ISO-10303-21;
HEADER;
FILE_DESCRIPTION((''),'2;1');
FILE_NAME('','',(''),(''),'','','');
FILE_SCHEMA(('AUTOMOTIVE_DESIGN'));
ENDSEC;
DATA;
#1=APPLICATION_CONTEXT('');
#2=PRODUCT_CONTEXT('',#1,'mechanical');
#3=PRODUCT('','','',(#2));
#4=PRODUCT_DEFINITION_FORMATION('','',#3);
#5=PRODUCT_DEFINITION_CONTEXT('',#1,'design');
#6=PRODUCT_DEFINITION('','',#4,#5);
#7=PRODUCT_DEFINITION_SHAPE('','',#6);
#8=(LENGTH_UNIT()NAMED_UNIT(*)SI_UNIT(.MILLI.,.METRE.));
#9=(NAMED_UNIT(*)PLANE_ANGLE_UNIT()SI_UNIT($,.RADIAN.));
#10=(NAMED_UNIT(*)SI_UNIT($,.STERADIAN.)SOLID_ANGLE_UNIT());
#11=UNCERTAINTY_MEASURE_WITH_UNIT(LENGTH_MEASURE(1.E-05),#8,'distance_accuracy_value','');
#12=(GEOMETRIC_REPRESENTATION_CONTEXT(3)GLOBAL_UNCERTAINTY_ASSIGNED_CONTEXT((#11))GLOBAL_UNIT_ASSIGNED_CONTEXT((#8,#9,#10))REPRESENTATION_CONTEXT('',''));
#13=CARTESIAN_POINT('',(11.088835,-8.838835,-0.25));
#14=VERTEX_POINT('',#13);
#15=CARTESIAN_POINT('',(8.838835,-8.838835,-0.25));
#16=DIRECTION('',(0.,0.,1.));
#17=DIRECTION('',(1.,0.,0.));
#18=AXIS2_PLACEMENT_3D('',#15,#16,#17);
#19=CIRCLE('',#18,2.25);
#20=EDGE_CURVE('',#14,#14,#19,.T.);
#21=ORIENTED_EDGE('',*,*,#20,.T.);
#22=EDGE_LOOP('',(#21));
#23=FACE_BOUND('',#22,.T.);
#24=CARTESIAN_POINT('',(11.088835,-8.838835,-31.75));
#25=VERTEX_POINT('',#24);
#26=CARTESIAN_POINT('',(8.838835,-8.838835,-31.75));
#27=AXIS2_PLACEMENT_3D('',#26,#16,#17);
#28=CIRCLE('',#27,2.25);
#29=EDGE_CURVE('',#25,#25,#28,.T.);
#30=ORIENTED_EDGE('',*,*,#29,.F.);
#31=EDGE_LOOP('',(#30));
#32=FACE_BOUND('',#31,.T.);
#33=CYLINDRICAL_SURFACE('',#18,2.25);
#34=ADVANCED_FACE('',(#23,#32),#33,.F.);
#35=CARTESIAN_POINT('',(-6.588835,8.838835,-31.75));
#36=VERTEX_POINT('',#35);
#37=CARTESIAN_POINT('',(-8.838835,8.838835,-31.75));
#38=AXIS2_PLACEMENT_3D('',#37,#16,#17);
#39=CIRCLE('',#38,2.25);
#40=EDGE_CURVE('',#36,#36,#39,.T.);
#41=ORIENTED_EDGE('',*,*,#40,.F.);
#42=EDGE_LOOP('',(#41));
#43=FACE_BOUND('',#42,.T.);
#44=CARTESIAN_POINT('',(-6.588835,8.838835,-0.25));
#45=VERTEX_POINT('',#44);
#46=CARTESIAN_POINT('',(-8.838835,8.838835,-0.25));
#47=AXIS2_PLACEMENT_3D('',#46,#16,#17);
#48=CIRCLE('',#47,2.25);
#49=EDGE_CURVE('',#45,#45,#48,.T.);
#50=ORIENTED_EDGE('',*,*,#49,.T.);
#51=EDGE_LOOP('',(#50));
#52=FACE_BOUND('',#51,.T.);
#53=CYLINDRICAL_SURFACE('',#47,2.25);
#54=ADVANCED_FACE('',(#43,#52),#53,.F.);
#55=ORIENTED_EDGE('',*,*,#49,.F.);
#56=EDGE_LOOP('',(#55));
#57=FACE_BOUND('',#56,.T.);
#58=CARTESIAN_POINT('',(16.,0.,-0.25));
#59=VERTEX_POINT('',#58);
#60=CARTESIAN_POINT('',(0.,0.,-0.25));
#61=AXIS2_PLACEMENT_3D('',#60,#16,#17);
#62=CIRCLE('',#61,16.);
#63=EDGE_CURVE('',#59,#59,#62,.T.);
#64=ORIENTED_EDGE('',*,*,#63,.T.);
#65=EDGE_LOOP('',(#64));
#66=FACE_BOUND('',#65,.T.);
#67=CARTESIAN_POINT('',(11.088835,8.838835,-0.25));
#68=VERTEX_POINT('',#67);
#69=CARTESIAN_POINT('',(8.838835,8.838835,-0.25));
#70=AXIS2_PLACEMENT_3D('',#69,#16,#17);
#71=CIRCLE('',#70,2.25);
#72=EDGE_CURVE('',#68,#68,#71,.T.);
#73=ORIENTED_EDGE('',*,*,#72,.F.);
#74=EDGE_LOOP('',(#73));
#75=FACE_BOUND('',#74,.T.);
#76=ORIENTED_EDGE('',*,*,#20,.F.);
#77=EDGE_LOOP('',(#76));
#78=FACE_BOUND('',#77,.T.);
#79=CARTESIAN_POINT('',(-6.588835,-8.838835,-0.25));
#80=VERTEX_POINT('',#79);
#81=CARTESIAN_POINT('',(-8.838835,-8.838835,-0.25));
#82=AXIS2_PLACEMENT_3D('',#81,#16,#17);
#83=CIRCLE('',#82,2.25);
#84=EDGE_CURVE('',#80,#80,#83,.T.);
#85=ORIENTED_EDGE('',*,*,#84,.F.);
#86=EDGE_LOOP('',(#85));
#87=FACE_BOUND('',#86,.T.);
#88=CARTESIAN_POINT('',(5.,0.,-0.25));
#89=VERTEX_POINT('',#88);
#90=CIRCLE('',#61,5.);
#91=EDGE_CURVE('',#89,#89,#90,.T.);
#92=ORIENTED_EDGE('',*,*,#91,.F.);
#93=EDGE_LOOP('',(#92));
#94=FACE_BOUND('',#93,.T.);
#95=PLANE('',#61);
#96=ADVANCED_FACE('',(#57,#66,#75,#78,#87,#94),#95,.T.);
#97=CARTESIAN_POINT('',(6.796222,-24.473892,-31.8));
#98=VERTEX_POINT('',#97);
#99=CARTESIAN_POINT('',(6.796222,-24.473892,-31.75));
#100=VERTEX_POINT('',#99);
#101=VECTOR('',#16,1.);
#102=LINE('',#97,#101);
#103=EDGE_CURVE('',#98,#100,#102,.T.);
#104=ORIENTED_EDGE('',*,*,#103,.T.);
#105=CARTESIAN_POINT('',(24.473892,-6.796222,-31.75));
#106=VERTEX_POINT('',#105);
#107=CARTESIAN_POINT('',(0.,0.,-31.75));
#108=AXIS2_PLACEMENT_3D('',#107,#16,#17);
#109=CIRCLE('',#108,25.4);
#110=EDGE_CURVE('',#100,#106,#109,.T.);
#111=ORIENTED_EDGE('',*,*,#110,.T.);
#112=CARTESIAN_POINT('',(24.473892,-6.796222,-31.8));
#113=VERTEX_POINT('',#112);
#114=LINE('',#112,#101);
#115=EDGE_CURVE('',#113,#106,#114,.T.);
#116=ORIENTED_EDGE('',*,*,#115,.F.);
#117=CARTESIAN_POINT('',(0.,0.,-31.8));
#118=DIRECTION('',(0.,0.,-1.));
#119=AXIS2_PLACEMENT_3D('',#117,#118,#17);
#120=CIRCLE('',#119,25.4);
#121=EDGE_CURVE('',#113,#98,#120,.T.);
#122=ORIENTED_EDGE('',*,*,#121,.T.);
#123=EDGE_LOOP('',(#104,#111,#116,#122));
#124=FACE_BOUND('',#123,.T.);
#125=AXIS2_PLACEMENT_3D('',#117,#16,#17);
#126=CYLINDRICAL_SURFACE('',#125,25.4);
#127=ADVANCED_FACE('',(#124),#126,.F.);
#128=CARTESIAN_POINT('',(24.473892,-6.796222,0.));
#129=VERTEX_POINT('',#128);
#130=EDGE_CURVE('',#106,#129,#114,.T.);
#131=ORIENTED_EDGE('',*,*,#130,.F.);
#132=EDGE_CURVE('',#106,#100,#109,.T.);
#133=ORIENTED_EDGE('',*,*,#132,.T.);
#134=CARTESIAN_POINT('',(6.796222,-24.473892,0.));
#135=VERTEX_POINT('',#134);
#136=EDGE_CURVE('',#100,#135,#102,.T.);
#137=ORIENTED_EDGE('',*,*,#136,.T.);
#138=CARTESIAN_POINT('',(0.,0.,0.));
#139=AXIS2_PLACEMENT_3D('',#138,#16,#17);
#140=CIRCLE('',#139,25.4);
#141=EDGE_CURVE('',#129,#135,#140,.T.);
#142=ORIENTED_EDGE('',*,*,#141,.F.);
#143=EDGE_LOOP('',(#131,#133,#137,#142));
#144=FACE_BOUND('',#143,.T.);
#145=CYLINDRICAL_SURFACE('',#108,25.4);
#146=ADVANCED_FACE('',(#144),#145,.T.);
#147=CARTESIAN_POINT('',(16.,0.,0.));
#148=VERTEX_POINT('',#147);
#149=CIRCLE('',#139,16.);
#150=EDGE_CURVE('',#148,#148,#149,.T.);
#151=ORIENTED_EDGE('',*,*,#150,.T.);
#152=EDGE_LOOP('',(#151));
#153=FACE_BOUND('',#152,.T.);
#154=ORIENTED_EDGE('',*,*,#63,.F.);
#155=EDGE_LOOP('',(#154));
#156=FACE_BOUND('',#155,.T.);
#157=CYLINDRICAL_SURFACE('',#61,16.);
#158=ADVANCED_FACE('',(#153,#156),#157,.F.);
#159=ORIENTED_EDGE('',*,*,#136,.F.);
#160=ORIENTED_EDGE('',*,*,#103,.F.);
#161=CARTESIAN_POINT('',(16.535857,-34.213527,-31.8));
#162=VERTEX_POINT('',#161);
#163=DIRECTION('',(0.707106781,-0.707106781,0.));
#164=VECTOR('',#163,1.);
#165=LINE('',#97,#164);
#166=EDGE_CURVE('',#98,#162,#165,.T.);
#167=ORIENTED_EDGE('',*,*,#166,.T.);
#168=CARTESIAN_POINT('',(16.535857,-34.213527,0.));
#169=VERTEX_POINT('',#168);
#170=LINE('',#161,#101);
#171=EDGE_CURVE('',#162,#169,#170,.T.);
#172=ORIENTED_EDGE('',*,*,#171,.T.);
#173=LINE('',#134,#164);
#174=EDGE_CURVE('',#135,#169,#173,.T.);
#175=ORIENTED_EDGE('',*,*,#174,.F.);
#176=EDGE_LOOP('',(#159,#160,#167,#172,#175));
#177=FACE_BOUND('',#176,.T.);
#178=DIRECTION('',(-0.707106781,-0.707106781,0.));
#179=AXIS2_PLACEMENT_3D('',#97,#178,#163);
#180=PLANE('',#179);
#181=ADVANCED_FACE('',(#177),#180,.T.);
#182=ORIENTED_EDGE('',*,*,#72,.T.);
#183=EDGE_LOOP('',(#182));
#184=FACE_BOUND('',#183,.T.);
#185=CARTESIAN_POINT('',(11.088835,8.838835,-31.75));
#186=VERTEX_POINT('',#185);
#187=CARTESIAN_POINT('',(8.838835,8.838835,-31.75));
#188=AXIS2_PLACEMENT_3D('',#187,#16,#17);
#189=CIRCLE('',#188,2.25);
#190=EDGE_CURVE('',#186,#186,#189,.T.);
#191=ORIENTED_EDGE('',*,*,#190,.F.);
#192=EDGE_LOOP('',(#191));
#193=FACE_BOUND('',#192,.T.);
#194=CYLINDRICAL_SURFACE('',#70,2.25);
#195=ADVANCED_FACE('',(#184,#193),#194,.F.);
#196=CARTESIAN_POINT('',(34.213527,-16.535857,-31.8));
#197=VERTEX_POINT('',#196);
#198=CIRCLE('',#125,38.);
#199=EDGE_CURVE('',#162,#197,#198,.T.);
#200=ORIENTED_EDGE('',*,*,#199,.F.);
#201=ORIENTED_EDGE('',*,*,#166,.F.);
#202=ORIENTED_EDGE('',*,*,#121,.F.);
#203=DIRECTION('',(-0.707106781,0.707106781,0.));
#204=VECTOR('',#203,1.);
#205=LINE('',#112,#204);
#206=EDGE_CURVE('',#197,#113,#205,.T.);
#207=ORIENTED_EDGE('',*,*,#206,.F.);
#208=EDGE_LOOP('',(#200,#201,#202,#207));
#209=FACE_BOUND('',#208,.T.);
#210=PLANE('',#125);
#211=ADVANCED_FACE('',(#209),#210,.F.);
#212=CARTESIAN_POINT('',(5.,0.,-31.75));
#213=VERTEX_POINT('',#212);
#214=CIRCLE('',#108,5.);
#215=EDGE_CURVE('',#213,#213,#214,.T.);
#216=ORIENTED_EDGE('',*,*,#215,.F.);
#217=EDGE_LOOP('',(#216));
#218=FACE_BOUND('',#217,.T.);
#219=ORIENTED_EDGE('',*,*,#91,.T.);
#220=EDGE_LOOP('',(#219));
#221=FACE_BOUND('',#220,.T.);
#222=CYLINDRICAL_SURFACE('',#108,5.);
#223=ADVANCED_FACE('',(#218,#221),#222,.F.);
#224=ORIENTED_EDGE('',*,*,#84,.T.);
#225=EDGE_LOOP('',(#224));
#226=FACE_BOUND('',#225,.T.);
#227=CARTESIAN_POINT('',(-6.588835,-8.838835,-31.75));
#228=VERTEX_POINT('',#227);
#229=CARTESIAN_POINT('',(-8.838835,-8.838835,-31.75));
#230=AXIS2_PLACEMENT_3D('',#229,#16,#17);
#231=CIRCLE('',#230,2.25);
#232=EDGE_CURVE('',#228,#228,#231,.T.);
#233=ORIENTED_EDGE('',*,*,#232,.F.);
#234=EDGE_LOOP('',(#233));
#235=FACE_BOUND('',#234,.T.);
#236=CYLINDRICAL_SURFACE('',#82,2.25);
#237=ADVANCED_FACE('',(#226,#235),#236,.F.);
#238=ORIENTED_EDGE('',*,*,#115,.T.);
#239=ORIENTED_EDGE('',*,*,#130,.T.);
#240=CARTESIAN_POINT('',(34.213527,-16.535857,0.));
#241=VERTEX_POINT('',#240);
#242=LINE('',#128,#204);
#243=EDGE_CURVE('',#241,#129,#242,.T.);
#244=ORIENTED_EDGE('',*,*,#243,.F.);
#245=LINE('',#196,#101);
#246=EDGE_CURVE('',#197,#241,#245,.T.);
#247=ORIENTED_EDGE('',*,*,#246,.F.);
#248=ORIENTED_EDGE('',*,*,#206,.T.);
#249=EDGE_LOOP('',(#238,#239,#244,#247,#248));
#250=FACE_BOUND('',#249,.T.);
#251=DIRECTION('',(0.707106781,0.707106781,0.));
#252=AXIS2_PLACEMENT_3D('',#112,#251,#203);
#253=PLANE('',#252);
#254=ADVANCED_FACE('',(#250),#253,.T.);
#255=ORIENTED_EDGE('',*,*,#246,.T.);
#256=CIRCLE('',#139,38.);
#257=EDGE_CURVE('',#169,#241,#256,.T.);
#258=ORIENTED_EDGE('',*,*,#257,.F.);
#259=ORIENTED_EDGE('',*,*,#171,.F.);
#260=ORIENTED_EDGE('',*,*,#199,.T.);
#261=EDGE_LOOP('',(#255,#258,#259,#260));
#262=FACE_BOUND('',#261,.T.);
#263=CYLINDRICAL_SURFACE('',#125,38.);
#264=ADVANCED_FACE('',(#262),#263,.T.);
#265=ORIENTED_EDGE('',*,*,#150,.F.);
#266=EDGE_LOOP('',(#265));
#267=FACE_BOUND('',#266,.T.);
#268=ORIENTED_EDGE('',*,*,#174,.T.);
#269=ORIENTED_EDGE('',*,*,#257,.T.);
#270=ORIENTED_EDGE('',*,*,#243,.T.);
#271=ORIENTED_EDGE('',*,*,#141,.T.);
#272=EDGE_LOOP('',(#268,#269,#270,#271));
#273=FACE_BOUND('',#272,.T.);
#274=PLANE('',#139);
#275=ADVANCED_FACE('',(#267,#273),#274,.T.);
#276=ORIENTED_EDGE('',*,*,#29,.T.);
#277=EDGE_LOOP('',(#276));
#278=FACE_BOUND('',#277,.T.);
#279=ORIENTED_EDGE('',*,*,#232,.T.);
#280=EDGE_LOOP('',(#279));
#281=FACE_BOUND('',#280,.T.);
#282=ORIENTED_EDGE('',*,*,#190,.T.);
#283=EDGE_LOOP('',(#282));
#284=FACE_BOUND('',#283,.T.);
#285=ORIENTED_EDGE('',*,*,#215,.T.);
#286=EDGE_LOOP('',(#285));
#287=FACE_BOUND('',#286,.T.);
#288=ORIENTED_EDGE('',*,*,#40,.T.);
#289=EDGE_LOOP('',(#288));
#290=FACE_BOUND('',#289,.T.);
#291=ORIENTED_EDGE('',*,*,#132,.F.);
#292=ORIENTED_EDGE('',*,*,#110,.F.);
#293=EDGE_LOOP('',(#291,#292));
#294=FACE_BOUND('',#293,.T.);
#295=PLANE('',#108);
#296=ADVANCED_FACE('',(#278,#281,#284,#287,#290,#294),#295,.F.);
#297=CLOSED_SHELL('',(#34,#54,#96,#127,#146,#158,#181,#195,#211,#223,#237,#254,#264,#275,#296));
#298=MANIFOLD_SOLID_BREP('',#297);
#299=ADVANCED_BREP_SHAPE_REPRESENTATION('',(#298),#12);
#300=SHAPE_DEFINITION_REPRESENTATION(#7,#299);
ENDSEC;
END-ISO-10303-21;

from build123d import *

# Parameters (mm, degrees)
SKETCH1_R            = 25.4
BOSS_EXTRUDE1_DEPTH  = 31.75
SKETCH2_R            = 16
CUT_EXTRUDE1_DEPTH   = 0.25
M4_CLEARANCE_HOLE1_D = 4.5
SKETCH6_R            = 5
CUT_EXTRUDE2_DEPTH   = 48.77624933
BOSS_EXTRUDE2_DEPTH  = 31.8


with BuildPart() as part:
    # Sketch1 → Boss-Extrude1 (new body)
    with BuildSketch(Plane.XY):
        Circle(SKETCH1_R)
    extrude(amount=-BOSS_EXTRUDE1_DEPTH)

    # Sketch2 → Cut-Extrude1 (cut)
    with BuildSketch(Plane.XY):
        Circle(SKETCH2_R)
    extrude(amount=-CUT_EXTRUDE1_DEPTH, mode=Mode.SUBTRACT)

    # M4 Clearance Hole1 (through all)
    with Locations(Plane.XY.offset(-0.25)):
        with Locations((-8.838834765, 8.838834765), (8.838834765, 8.838834765), (-8.838834765, -8.838834765), (8.838834765, -8.838834765)):
            Hole(M4_CLEARANCE_HOLE1_D / 2)

    # Sketch6 → Cut-Extrude2 (cut, through all)
    with BuildSketch(Plane.XY.offset(-0.25)):
        Circle(SKETCH6_R)
    extrude(amount=-CUT_EXTRUDE2_DEPTH, mode=Mode.SUBTRACT)

    # Sketch8 → Boss-Extrude2 (add)
    with BuildSketch(Plane.XY):
        with BuildLine():
            Line((6.796221999, -24.473891528), (16.535857352, -34.213526881))
            ThreePointArc((16.535857352, -34.213526881), (26.870057685, -26.870057685), (34.213526881, -16.535857352))
            Line((34.213526881, -16.535857352), (24.473891528, -6.796221999))
            ThreePointArc((24.473891528, -6.796221999), (17.960512242, -17.960512242), (6.796221999, -24.473891528))
        make_face()
    extrude(amount=-BOSS_EXTRUDE2_DEPTH)


solid = part.part
